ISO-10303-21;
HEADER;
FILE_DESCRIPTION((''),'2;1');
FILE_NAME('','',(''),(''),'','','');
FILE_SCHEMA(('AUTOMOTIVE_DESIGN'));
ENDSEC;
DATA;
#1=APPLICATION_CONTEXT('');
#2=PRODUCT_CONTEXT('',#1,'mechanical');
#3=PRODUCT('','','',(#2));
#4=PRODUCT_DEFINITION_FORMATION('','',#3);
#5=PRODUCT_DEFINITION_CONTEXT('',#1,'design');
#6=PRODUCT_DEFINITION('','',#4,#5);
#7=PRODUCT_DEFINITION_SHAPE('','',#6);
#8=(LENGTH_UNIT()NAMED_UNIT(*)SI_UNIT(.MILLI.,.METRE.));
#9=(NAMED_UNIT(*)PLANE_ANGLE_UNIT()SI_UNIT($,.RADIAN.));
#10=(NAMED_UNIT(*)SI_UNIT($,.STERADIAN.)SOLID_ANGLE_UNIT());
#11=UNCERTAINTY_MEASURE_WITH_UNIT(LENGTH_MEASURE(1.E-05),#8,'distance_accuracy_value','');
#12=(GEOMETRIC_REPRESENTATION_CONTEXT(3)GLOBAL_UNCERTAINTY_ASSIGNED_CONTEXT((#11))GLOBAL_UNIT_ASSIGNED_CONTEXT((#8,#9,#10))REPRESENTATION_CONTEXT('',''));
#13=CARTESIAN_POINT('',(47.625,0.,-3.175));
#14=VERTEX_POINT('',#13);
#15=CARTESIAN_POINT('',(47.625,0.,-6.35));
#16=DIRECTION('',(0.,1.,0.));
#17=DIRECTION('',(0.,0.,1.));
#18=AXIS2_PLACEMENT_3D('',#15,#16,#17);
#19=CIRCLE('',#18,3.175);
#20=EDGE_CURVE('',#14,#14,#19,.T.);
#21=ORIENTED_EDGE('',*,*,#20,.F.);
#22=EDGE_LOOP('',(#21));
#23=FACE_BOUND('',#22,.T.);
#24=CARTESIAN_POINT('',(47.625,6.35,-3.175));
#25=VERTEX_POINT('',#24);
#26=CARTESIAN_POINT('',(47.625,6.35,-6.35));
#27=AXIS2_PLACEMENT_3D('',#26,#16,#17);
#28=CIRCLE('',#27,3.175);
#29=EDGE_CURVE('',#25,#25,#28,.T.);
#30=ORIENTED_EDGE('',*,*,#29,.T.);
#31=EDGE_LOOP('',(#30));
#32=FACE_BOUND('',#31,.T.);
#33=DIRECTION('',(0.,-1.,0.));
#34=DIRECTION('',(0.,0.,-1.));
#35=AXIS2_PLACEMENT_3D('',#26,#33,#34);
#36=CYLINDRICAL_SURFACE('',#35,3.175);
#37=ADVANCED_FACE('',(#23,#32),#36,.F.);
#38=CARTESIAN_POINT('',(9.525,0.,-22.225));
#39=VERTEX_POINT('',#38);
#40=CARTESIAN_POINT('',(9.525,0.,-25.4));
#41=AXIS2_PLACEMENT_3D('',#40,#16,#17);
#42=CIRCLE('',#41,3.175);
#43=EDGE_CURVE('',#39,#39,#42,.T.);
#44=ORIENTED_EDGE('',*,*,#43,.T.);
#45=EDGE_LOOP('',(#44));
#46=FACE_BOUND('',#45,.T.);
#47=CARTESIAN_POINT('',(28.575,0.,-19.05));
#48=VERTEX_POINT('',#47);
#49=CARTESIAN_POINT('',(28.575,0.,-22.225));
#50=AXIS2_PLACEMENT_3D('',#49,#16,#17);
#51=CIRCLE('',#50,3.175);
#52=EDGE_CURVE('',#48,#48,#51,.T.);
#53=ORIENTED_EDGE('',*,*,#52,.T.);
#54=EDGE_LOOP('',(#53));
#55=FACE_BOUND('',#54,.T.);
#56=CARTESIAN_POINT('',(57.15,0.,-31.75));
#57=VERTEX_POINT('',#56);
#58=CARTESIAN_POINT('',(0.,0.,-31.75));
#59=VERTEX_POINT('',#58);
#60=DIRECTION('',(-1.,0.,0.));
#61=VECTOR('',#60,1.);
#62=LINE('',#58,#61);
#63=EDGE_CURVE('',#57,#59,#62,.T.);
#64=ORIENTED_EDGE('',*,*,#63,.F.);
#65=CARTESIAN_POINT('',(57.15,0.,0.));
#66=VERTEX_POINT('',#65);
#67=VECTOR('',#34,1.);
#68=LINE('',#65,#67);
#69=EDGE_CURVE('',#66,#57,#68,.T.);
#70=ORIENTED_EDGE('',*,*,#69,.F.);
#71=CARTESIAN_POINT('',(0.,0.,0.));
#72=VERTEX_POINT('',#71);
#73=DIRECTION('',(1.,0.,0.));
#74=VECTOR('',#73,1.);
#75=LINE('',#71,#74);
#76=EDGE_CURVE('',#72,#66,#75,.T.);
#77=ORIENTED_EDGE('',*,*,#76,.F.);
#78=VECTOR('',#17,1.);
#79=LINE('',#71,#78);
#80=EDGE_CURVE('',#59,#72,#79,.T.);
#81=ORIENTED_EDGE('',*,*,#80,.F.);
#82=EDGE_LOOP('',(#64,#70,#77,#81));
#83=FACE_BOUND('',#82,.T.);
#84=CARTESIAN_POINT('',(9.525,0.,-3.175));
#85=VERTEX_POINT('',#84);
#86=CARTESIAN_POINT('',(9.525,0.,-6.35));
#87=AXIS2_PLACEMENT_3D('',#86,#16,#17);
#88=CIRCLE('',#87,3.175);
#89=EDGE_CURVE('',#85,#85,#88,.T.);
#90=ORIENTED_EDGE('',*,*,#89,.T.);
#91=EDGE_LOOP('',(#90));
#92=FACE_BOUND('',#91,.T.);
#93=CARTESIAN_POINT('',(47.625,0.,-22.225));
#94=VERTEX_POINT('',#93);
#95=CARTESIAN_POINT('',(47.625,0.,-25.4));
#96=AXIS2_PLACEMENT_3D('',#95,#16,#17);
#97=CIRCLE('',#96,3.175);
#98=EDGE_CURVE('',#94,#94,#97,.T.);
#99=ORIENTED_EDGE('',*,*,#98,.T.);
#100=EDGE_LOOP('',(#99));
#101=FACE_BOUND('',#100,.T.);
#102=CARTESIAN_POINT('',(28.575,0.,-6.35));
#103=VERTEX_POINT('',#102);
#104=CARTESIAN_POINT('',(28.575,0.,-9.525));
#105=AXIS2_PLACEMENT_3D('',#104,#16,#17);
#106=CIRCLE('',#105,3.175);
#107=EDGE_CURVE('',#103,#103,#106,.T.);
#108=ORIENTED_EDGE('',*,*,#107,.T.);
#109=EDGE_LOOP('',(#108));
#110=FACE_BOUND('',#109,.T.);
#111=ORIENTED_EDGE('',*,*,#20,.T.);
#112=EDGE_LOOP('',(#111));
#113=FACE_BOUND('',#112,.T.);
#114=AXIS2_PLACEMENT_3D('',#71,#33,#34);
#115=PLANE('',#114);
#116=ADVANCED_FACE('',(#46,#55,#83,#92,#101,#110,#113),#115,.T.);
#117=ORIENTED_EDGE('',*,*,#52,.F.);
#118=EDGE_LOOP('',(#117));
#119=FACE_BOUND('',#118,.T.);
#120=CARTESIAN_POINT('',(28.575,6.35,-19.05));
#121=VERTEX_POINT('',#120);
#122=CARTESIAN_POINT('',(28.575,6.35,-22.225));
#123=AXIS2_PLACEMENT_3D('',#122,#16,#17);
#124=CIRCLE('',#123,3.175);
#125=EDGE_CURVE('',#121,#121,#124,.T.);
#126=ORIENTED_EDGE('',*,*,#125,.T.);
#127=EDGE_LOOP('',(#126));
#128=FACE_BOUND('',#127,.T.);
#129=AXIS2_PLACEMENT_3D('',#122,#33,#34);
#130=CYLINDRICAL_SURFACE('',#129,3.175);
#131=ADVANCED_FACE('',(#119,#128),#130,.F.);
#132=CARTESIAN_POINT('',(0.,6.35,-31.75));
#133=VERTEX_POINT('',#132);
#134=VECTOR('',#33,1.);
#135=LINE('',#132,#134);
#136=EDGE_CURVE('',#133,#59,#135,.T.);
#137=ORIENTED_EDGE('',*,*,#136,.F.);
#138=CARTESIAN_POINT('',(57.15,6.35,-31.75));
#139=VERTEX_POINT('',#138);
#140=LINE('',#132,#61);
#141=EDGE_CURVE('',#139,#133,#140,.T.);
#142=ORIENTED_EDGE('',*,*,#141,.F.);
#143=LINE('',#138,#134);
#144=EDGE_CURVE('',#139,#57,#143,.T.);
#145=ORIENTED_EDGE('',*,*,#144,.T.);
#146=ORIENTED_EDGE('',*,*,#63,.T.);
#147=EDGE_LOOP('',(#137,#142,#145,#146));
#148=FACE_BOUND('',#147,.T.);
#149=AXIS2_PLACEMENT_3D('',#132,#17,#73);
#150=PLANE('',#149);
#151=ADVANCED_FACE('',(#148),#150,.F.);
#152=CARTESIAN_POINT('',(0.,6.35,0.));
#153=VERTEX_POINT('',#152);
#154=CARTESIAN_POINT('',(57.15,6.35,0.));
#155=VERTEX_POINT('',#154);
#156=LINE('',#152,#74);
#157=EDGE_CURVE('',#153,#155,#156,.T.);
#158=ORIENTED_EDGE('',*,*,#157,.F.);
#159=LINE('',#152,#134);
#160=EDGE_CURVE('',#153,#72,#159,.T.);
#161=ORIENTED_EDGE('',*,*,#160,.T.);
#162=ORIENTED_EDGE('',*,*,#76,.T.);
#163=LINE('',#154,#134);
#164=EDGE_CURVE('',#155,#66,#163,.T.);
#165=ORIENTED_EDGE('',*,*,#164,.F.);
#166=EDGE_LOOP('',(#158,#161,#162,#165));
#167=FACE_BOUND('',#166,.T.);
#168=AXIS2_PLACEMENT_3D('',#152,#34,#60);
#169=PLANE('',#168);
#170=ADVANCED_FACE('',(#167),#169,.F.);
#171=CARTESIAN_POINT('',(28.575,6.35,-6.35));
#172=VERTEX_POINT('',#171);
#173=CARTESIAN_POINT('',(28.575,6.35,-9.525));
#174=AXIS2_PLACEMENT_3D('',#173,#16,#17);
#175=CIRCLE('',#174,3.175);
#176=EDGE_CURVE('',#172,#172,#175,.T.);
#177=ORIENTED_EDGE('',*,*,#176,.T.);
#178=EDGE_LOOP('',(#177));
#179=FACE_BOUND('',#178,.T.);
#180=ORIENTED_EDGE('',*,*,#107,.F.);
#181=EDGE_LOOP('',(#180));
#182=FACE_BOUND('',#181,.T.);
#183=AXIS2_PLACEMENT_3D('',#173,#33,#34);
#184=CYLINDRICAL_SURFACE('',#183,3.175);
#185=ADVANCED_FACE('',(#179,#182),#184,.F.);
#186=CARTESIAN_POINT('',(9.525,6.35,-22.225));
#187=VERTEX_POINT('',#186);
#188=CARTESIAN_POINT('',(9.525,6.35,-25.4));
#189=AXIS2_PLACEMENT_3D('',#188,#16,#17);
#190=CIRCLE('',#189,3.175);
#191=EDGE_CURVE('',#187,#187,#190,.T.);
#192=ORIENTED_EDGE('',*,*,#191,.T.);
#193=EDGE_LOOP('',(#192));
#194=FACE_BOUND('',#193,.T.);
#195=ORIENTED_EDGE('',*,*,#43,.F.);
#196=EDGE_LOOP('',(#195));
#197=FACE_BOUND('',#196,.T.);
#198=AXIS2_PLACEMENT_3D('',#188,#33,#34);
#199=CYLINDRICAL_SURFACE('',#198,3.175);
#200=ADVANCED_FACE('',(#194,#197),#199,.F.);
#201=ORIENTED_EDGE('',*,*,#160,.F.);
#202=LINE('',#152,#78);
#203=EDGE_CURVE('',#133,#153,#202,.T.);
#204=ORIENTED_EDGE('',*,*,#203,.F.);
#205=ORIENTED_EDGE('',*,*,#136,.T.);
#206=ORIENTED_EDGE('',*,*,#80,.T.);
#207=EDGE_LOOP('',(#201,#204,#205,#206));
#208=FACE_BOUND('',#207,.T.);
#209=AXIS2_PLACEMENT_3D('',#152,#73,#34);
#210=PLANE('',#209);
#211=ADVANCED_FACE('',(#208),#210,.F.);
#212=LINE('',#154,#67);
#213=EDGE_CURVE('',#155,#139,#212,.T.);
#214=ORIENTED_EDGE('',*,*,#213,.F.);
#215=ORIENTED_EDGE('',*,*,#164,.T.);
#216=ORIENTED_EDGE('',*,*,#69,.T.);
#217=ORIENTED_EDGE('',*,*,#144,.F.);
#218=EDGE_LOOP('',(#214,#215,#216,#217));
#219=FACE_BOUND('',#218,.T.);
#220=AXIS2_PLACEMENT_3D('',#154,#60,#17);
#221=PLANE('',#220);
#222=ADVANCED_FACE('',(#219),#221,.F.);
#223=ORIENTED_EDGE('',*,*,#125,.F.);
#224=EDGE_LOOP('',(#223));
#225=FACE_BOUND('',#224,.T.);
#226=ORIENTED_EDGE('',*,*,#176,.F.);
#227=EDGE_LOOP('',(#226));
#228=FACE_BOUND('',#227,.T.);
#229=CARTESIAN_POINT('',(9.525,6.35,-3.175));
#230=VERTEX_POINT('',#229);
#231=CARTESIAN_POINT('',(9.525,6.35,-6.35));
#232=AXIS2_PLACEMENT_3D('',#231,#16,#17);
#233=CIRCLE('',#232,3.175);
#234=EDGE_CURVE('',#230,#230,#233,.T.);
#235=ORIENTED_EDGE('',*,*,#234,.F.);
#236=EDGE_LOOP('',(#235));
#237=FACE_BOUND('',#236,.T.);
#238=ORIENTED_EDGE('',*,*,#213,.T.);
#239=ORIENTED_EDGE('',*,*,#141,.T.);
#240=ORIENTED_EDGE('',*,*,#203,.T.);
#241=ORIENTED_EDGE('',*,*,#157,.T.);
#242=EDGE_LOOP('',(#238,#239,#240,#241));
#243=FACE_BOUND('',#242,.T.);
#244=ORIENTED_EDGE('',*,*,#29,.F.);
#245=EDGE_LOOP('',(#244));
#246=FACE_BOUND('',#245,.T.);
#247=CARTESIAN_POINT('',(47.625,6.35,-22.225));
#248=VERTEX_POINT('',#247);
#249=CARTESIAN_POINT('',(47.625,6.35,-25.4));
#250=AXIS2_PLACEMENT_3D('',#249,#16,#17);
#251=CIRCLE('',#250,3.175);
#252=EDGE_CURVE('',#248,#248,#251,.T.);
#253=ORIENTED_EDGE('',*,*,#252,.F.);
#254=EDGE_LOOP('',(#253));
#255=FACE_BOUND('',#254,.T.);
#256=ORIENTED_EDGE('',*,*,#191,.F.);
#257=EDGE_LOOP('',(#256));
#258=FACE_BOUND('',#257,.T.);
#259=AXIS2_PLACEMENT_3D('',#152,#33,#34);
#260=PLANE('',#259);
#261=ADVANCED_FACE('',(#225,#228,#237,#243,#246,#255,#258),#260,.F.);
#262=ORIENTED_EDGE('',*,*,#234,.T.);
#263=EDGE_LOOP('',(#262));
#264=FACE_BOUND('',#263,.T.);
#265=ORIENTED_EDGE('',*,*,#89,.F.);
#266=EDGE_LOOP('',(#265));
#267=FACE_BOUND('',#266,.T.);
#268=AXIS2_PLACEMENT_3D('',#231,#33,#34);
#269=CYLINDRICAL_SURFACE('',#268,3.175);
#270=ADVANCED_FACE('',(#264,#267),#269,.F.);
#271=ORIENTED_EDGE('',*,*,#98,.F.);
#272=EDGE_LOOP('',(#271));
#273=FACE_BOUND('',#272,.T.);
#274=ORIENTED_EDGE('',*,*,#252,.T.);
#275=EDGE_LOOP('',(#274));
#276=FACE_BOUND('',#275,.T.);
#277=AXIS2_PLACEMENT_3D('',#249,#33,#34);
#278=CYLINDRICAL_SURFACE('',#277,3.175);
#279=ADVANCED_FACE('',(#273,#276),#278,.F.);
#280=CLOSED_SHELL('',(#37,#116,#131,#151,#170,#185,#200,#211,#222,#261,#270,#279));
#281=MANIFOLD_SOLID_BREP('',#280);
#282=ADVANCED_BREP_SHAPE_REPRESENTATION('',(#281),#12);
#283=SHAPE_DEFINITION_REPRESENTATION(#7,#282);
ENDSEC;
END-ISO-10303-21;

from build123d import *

# Parameters (mm, degrees)
SKETCH1_W           = 57.15
SKETCH1_H           = 31.75
SKETCH1_R           = 3.175
BOSS_EXTRUDE1_DEPTH = 6.35


with BuildPart() as part:
    # Sketch1 → Boss-Extrude1 (new body)
    with BuildSketch(Plane(origin=(0, 0, 0), x_dir=(1, 0, 0), z_dir=(0, 1, 0))):
        with Locations((28.575, 15.875)):
            Rectangle(SKETCH1_W, SKETCH1_H)
        with Locations(Location((9.525, 25.4, 0), (0, 0, 270))):
            Circle(SKETCH1_R, mode=Mode.SUBTRACT)
        with Locations(Location((47.625, 25.4, 0), (0, 0, 270))):
            Circle(SKETCH1_R, mode=Mode.SUBTRACT)
        with Locations(Location((47.625, 6.35, 0), (0, 0, 270))):
            Circle(SKETCH1_R, mode=Mode.SUBTRACT)
        with Locations(Location((9.525, 6.35, 0), (0, 0, 270))):
            Circle(SKETCH1_R, mode=Mode.SUBTRACT)
        with Locations(Location((28.575, 22.225, 0), (0, 0, 270))):
            Circle(SKETCH1_R, mode=Mode.SUBTRACT)
        with Locations(Location((28.575, 9.525, 0), (0, 0, 270))):
            Circle(SKETCH1_R, mode=Mode.SUBTRACT)
    extrude(amount=BOSS_EXTRUDE1_DEPTH)


solid = part.part
